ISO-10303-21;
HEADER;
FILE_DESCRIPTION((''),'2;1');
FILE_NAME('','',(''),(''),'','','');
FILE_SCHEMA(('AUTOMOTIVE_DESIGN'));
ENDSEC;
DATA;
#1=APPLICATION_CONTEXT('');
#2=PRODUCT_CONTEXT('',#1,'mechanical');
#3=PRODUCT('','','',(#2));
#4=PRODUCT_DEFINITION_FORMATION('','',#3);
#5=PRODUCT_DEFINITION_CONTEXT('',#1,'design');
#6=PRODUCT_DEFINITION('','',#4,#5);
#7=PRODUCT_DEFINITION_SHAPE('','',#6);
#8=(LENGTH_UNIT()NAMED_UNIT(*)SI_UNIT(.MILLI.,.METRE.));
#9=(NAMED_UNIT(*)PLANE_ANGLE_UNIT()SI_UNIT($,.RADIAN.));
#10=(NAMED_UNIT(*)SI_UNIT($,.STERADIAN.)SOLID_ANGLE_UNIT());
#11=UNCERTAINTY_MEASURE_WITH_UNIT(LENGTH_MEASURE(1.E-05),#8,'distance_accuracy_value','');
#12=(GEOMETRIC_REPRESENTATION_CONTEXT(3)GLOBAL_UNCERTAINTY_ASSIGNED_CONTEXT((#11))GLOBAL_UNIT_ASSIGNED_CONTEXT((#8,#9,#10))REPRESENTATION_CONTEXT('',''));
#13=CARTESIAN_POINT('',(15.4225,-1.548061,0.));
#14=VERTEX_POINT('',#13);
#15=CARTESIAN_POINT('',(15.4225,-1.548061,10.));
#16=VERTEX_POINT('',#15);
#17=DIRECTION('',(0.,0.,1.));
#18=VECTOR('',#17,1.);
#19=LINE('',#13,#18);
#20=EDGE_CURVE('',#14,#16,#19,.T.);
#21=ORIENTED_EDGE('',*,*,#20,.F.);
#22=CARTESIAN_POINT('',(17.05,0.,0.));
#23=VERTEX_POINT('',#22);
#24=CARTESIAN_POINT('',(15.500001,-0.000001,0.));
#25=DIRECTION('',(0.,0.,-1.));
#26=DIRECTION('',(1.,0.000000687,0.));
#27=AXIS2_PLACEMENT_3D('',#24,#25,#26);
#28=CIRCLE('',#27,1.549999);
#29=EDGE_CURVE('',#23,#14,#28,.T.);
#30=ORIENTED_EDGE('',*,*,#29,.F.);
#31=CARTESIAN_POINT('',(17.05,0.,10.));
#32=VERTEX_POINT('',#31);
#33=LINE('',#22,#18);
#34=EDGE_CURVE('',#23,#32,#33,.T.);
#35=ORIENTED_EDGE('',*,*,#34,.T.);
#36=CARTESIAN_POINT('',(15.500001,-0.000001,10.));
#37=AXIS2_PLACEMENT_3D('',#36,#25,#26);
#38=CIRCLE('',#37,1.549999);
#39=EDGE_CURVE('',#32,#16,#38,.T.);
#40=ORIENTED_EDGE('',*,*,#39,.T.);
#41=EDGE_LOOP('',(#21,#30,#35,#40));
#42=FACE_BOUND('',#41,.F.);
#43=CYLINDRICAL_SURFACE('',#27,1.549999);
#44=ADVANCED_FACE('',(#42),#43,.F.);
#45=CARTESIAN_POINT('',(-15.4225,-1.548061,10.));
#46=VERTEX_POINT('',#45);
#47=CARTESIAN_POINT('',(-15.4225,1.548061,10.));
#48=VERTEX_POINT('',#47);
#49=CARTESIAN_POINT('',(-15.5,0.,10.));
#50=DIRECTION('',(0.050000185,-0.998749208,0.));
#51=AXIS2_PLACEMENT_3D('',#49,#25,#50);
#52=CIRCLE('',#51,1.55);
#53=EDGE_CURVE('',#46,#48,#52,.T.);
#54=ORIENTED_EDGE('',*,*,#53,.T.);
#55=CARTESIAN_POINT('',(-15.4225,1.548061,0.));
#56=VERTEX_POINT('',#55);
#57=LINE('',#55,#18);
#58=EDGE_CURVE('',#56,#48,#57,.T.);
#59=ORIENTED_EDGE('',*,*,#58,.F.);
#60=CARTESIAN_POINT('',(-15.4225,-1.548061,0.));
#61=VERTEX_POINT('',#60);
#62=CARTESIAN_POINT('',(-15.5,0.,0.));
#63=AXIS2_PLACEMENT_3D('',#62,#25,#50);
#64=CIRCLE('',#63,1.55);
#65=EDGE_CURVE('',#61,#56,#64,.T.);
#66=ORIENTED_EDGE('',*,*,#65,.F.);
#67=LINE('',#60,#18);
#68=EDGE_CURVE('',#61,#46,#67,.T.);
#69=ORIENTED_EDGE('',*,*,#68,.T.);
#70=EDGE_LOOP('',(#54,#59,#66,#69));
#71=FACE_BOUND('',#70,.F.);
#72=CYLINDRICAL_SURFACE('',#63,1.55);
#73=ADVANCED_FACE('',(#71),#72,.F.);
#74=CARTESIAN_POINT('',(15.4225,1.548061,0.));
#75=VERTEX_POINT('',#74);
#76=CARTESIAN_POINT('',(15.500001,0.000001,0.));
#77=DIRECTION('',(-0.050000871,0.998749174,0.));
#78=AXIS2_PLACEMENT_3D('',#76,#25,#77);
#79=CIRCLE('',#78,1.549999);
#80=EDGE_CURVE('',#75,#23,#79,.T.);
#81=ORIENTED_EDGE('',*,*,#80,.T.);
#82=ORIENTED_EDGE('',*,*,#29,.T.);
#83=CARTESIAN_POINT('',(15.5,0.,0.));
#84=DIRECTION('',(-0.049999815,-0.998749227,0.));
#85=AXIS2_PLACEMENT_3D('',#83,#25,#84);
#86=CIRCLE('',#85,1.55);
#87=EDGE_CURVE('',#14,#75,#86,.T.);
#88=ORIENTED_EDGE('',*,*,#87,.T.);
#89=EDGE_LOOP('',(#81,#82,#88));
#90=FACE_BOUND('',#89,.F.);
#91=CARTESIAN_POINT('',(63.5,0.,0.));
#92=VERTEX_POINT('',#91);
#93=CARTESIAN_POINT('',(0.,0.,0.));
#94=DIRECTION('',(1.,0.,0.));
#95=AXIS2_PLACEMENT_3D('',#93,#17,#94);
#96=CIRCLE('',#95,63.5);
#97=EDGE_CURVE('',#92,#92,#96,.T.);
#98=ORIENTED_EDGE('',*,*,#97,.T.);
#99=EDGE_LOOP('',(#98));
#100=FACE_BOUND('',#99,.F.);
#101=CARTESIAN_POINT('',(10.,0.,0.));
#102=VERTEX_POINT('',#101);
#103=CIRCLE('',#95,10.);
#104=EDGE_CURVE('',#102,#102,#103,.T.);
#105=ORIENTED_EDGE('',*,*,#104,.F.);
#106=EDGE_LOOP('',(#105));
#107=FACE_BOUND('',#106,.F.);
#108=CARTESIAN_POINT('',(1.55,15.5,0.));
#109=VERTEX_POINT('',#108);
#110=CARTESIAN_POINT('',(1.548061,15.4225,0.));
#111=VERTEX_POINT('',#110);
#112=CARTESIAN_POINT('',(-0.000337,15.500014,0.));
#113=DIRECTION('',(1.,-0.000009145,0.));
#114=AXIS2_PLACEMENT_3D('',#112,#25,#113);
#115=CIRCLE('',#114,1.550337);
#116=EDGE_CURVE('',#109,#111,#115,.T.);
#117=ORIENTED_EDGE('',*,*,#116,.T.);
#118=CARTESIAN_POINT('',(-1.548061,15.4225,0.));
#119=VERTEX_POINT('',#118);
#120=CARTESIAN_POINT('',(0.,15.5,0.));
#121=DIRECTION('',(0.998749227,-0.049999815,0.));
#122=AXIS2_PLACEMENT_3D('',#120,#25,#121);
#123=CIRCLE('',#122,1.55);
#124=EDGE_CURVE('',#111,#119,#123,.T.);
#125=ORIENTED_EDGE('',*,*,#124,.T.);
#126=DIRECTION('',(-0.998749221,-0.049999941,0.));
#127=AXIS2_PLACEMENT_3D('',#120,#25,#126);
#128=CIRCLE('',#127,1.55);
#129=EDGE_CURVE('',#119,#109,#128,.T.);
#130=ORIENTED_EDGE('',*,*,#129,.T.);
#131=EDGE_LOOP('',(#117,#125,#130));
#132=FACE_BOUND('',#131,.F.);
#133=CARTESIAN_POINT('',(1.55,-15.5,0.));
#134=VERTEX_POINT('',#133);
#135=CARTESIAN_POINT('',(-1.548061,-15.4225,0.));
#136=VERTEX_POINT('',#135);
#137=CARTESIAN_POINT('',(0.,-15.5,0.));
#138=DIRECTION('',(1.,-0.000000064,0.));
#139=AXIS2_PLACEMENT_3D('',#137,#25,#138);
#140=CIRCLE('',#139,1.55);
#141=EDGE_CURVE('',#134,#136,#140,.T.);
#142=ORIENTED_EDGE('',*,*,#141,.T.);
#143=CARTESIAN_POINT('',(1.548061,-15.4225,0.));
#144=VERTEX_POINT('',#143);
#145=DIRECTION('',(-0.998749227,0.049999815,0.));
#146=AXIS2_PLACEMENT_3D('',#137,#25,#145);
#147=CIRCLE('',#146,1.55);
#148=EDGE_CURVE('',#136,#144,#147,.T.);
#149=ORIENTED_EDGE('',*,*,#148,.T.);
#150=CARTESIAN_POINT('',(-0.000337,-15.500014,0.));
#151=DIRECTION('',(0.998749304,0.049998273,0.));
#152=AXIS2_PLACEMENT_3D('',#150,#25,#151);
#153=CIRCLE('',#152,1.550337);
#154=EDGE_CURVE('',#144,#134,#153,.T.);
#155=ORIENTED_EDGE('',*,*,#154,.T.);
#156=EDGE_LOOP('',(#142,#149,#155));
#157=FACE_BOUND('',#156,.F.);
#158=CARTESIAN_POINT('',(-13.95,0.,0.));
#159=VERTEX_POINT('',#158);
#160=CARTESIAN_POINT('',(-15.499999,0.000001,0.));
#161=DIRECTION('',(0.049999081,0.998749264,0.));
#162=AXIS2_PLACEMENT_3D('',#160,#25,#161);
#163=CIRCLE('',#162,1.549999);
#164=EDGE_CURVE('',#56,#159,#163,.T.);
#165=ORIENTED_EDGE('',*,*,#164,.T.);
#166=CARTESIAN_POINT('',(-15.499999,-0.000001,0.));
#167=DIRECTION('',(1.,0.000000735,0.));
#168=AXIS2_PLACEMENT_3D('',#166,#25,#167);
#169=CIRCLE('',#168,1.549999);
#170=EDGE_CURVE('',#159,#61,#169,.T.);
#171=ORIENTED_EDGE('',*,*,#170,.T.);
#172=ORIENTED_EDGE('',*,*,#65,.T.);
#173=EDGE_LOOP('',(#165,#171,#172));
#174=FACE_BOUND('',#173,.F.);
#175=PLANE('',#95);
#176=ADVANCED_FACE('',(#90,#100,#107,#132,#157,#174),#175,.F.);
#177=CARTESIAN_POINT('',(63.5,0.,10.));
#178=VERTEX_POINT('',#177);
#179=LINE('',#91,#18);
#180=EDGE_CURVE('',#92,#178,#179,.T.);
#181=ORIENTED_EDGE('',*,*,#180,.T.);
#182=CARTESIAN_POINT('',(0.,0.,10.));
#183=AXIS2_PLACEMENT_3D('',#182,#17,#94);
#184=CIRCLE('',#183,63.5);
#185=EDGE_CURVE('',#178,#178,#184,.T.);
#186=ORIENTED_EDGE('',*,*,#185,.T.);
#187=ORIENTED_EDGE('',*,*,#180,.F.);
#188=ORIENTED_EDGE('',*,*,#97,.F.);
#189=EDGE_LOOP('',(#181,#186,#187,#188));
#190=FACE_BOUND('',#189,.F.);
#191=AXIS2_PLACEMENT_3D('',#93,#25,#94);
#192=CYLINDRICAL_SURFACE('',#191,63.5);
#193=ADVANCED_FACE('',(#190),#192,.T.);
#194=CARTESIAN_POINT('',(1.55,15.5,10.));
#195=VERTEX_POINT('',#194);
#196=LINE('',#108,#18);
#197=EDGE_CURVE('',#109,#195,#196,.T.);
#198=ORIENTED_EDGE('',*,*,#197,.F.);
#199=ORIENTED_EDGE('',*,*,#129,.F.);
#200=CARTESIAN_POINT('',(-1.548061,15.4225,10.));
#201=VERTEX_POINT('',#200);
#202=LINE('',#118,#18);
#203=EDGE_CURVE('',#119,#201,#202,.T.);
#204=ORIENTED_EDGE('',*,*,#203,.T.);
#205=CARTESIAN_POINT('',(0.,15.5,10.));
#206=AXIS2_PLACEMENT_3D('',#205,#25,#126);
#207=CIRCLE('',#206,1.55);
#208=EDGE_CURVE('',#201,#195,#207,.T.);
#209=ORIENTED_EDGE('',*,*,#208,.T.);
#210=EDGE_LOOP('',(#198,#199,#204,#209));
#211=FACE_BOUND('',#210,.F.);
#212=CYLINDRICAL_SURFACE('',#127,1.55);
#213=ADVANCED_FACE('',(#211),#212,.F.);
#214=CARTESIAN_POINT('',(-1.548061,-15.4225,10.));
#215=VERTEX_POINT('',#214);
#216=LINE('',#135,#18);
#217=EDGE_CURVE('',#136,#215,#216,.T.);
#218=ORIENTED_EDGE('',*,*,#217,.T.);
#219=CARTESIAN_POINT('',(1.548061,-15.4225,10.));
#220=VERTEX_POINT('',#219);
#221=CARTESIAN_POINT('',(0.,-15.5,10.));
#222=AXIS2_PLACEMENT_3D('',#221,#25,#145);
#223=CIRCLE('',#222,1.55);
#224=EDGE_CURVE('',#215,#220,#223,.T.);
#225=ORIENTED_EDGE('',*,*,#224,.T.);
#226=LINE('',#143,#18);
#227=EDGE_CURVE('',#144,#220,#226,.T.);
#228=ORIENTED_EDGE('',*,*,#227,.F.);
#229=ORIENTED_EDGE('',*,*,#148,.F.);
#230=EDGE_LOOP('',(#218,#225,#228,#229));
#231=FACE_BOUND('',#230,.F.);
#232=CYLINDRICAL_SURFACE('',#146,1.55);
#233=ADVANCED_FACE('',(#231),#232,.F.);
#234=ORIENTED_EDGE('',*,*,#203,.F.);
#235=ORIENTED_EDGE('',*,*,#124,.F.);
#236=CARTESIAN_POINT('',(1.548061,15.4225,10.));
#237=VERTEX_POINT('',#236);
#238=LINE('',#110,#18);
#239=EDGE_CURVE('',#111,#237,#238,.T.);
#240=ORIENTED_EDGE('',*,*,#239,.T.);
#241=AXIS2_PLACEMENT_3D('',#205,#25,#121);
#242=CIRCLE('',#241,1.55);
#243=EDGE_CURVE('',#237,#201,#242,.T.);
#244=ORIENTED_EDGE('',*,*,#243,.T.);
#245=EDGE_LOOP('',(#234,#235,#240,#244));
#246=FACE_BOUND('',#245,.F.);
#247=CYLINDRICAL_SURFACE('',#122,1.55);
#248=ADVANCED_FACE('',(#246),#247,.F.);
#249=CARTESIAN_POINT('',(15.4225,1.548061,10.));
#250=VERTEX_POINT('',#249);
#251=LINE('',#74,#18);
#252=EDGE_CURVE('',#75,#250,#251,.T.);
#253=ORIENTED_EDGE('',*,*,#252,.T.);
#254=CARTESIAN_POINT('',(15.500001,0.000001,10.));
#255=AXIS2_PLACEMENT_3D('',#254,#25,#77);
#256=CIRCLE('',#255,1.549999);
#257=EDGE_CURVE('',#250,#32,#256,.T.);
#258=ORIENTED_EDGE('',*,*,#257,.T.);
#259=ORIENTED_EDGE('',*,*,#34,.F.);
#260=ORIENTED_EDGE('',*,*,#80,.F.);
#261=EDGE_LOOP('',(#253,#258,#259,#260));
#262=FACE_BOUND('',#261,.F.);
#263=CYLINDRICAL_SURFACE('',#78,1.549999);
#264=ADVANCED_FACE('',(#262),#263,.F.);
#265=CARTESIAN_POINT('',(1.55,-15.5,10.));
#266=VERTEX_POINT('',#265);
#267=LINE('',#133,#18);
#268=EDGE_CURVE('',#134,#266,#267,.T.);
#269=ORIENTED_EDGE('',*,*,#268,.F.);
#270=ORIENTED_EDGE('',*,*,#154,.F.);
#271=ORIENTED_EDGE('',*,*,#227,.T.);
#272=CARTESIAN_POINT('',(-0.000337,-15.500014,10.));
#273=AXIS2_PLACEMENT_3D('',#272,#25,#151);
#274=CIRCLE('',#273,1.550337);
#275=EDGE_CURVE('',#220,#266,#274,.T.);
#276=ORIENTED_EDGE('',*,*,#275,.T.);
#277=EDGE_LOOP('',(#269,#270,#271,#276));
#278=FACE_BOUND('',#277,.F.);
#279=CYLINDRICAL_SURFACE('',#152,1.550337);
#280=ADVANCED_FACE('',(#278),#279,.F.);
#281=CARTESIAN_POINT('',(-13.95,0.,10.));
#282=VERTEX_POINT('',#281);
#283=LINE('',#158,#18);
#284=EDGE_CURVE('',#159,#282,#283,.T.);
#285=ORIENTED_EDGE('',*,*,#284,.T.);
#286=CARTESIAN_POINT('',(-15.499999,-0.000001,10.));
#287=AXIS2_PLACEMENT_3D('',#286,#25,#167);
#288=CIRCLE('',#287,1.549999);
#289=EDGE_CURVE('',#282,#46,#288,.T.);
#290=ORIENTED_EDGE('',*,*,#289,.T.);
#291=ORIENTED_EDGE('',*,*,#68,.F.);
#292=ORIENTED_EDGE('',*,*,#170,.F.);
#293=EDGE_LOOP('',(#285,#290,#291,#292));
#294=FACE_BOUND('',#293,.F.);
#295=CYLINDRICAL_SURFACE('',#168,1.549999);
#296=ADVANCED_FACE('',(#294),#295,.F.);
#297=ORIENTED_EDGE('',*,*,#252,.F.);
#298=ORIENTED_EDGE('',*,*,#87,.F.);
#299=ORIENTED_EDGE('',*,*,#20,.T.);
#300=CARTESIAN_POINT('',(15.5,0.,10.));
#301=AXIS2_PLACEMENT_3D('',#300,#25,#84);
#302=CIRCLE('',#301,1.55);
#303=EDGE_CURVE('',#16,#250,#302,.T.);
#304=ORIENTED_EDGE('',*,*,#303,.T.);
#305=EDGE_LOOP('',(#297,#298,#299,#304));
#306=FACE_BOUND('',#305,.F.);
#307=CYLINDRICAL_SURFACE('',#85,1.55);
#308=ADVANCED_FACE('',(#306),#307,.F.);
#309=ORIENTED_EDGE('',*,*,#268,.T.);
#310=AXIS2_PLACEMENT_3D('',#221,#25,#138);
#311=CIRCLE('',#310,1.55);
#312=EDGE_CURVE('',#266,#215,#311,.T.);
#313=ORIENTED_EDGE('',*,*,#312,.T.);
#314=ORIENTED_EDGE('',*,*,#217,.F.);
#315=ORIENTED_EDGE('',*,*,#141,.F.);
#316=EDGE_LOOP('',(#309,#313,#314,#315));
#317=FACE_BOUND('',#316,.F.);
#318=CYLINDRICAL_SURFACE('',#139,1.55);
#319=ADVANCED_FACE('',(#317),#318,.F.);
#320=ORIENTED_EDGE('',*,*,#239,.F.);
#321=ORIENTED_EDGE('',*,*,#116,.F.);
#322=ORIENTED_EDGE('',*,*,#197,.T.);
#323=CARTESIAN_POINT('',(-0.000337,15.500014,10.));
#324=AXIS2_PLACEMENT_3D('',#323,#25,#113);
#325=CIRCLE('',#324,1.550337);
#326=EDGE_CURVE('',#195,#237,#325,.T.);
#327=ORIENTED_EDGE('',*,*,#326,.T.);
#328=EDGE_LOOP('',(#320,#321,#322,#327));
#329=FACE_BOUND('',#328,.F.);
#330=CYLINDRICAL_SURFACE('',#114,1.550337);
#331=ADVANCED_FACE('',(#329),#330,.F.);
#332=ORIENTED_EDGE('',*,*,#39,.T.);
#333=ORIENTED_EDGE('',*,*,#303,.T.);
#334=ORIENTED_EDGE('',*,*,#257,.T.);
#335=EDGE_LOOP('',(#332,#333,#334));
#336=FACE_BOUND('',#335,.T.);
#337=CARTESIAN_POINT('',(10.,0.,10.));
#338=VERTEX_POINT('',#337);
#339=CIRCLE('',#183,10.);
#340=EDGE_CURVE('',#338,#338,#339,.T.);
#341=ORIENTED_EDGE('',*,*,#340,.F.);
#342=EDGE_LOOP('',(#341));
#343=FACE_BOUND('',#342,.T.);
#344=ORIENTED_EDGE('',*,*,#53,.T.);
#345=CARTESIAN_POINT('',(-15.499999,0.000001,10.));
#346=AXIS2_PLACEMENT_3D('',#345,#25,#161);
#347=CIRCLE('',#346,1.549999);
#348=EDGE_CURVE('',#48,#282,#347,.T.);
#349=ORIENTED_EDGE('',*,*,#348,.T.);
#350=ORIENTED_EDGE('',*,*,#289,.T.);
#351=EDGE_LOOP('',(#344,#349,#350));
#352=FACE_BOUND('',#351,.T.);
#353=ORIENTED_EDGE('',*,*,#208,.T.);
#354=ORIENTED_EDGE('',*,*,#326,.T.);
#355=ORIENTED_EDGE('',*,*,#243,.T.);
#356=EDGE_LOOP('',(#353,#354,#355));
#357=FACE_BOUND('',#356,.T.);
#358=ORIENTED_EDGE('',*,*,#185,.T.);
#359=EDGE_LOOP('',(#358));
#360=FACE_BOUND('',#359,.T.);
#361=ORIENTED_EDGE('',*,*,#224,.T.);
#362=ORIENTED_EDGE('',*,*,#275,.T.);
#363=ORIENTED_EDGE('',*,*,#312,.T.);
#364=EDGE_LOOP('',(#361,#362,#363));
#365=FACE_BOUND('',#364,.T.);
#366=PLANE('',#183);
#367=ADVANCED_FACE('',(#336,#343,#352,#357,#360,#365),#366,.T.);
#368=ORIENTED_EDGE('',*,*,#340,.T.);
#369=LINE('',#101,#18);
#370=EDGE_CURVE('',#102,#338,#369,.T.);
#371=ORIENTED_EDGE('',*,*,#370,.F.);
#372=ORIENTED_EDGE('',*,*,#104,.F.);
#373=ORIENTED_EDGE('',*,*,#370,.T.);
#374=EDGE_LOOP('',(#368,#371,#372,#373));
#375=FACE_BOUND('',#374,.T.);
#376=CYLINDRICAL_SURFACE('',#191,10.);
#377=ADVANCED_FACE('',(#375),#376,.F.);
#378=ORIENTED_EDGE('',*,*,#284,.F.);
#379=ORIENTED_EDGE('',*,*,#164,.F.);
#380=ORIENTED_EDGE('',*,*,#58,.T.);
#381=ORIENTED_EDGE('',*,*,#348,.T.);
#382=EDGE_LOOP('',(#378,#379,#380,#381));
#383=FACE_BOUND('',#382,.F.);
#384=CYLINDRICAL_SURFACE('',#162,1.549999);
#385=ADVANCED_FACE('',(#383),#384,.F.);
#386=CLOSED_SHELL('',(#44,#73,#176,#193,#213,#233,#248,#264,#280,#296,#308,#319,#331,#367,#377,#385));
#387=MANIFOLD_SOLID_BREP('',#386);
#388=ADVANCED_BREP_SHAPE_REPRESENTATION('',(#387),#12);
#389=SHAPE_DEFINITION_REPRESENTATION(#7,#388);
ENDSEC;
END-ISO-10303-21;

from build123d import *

# Parameters (mm, degrees)
F0_R     = 63.5
F0_R_2   = 10
F1_DEPTH = 10


with BuildPart() as f1:
    # F0 (on Top) → F1 (new body)
    with BuildSketch(Plane.XY):
        Circle(F0_R)
        with BuildLine():
            ThreePointArc((1.548061, 15.4225), (10.960155, 10.960155), (15.4225, 1.548061))
            ThreePointArc((15.4225, 1.548061), (16.568264, 1.123082), (17.05, 0))
            ThreePointArc((17.05, 0), (16.568264, -1.123082), (15.4225, -1.548061))
            ThreePointArc((15.4225, -1.548061), (10.960155, -10.960155), (1.548061, -15.4225))
            ThreePointArc((1.548061, -15.4225), (1.549515, -15.461238), (1.55, -15.5))
            ThreePointArc((1.55, -15.5), (-0.038762, -17.049515), (-1.548061, -15.4225))
            ThreePointArc((-1.548061, -15.4225), (-10.960155, -10.960155), (-15.4225, -1.548061))
            ThreePointArc((-15.4225, -1.548061), (-17.05, 0), (-15.4225, 1.548061))
            ThreePointArc((-15.4225, 1.548061), (-10.960155, 10.960155), (-1.548061, 15.4225))
            ThreePointArc((-1.548061, 15.4225), (-0.038762, 17.049515), (1.55, 15.5))
            ThreePointArc((1.55, 15.5), (1.549515, 15.461238), (1.548061, 15.4225))
        make_face(mode=Mode.SUBTRACT)
        with BuildLine():
            ThreePointArc((15.4225, -1.548061), (13.95, 0), (15.4225, 1.548061))
            ThreePointArc((15.4225, 1.548061), (10.960155, 10.960155), (1.548061, 15.4225))
            ThreePointArc((1.548061, 15.4225), (0, 13.95), (-1.548061, 15.4225))
            ThreePointArc((-1.548061, 15.4225), (-10.960155, 10.960155), (-15.4225, 1.548061))
            ThreePointArc((-15.4225, 1.548061), (-14.376918, 1.068264), (-13.95, 0))
            ThreePointArc((-13.95, 0), (-14.376918, -1.068264), (-15.4225, -1.548061))
            ThreePointArc((-15.4225, -1.548061), (-10.960155, -10.960155), (-1.548061, -15.4225))
            ThreePointArc((-1.548061, -15.4225), (0, -13.95), (1.548061, -15.4225))
            ThreePointArc((1.548061, -15.4225), (10.960155, -10.960155), (15.4225, -1.548061))
        make_face()
        Circle(F0_R_2, mode=Mode.SUBTRACT)
    extrude(amount=F1_DEPTH)


solid = f1.part
